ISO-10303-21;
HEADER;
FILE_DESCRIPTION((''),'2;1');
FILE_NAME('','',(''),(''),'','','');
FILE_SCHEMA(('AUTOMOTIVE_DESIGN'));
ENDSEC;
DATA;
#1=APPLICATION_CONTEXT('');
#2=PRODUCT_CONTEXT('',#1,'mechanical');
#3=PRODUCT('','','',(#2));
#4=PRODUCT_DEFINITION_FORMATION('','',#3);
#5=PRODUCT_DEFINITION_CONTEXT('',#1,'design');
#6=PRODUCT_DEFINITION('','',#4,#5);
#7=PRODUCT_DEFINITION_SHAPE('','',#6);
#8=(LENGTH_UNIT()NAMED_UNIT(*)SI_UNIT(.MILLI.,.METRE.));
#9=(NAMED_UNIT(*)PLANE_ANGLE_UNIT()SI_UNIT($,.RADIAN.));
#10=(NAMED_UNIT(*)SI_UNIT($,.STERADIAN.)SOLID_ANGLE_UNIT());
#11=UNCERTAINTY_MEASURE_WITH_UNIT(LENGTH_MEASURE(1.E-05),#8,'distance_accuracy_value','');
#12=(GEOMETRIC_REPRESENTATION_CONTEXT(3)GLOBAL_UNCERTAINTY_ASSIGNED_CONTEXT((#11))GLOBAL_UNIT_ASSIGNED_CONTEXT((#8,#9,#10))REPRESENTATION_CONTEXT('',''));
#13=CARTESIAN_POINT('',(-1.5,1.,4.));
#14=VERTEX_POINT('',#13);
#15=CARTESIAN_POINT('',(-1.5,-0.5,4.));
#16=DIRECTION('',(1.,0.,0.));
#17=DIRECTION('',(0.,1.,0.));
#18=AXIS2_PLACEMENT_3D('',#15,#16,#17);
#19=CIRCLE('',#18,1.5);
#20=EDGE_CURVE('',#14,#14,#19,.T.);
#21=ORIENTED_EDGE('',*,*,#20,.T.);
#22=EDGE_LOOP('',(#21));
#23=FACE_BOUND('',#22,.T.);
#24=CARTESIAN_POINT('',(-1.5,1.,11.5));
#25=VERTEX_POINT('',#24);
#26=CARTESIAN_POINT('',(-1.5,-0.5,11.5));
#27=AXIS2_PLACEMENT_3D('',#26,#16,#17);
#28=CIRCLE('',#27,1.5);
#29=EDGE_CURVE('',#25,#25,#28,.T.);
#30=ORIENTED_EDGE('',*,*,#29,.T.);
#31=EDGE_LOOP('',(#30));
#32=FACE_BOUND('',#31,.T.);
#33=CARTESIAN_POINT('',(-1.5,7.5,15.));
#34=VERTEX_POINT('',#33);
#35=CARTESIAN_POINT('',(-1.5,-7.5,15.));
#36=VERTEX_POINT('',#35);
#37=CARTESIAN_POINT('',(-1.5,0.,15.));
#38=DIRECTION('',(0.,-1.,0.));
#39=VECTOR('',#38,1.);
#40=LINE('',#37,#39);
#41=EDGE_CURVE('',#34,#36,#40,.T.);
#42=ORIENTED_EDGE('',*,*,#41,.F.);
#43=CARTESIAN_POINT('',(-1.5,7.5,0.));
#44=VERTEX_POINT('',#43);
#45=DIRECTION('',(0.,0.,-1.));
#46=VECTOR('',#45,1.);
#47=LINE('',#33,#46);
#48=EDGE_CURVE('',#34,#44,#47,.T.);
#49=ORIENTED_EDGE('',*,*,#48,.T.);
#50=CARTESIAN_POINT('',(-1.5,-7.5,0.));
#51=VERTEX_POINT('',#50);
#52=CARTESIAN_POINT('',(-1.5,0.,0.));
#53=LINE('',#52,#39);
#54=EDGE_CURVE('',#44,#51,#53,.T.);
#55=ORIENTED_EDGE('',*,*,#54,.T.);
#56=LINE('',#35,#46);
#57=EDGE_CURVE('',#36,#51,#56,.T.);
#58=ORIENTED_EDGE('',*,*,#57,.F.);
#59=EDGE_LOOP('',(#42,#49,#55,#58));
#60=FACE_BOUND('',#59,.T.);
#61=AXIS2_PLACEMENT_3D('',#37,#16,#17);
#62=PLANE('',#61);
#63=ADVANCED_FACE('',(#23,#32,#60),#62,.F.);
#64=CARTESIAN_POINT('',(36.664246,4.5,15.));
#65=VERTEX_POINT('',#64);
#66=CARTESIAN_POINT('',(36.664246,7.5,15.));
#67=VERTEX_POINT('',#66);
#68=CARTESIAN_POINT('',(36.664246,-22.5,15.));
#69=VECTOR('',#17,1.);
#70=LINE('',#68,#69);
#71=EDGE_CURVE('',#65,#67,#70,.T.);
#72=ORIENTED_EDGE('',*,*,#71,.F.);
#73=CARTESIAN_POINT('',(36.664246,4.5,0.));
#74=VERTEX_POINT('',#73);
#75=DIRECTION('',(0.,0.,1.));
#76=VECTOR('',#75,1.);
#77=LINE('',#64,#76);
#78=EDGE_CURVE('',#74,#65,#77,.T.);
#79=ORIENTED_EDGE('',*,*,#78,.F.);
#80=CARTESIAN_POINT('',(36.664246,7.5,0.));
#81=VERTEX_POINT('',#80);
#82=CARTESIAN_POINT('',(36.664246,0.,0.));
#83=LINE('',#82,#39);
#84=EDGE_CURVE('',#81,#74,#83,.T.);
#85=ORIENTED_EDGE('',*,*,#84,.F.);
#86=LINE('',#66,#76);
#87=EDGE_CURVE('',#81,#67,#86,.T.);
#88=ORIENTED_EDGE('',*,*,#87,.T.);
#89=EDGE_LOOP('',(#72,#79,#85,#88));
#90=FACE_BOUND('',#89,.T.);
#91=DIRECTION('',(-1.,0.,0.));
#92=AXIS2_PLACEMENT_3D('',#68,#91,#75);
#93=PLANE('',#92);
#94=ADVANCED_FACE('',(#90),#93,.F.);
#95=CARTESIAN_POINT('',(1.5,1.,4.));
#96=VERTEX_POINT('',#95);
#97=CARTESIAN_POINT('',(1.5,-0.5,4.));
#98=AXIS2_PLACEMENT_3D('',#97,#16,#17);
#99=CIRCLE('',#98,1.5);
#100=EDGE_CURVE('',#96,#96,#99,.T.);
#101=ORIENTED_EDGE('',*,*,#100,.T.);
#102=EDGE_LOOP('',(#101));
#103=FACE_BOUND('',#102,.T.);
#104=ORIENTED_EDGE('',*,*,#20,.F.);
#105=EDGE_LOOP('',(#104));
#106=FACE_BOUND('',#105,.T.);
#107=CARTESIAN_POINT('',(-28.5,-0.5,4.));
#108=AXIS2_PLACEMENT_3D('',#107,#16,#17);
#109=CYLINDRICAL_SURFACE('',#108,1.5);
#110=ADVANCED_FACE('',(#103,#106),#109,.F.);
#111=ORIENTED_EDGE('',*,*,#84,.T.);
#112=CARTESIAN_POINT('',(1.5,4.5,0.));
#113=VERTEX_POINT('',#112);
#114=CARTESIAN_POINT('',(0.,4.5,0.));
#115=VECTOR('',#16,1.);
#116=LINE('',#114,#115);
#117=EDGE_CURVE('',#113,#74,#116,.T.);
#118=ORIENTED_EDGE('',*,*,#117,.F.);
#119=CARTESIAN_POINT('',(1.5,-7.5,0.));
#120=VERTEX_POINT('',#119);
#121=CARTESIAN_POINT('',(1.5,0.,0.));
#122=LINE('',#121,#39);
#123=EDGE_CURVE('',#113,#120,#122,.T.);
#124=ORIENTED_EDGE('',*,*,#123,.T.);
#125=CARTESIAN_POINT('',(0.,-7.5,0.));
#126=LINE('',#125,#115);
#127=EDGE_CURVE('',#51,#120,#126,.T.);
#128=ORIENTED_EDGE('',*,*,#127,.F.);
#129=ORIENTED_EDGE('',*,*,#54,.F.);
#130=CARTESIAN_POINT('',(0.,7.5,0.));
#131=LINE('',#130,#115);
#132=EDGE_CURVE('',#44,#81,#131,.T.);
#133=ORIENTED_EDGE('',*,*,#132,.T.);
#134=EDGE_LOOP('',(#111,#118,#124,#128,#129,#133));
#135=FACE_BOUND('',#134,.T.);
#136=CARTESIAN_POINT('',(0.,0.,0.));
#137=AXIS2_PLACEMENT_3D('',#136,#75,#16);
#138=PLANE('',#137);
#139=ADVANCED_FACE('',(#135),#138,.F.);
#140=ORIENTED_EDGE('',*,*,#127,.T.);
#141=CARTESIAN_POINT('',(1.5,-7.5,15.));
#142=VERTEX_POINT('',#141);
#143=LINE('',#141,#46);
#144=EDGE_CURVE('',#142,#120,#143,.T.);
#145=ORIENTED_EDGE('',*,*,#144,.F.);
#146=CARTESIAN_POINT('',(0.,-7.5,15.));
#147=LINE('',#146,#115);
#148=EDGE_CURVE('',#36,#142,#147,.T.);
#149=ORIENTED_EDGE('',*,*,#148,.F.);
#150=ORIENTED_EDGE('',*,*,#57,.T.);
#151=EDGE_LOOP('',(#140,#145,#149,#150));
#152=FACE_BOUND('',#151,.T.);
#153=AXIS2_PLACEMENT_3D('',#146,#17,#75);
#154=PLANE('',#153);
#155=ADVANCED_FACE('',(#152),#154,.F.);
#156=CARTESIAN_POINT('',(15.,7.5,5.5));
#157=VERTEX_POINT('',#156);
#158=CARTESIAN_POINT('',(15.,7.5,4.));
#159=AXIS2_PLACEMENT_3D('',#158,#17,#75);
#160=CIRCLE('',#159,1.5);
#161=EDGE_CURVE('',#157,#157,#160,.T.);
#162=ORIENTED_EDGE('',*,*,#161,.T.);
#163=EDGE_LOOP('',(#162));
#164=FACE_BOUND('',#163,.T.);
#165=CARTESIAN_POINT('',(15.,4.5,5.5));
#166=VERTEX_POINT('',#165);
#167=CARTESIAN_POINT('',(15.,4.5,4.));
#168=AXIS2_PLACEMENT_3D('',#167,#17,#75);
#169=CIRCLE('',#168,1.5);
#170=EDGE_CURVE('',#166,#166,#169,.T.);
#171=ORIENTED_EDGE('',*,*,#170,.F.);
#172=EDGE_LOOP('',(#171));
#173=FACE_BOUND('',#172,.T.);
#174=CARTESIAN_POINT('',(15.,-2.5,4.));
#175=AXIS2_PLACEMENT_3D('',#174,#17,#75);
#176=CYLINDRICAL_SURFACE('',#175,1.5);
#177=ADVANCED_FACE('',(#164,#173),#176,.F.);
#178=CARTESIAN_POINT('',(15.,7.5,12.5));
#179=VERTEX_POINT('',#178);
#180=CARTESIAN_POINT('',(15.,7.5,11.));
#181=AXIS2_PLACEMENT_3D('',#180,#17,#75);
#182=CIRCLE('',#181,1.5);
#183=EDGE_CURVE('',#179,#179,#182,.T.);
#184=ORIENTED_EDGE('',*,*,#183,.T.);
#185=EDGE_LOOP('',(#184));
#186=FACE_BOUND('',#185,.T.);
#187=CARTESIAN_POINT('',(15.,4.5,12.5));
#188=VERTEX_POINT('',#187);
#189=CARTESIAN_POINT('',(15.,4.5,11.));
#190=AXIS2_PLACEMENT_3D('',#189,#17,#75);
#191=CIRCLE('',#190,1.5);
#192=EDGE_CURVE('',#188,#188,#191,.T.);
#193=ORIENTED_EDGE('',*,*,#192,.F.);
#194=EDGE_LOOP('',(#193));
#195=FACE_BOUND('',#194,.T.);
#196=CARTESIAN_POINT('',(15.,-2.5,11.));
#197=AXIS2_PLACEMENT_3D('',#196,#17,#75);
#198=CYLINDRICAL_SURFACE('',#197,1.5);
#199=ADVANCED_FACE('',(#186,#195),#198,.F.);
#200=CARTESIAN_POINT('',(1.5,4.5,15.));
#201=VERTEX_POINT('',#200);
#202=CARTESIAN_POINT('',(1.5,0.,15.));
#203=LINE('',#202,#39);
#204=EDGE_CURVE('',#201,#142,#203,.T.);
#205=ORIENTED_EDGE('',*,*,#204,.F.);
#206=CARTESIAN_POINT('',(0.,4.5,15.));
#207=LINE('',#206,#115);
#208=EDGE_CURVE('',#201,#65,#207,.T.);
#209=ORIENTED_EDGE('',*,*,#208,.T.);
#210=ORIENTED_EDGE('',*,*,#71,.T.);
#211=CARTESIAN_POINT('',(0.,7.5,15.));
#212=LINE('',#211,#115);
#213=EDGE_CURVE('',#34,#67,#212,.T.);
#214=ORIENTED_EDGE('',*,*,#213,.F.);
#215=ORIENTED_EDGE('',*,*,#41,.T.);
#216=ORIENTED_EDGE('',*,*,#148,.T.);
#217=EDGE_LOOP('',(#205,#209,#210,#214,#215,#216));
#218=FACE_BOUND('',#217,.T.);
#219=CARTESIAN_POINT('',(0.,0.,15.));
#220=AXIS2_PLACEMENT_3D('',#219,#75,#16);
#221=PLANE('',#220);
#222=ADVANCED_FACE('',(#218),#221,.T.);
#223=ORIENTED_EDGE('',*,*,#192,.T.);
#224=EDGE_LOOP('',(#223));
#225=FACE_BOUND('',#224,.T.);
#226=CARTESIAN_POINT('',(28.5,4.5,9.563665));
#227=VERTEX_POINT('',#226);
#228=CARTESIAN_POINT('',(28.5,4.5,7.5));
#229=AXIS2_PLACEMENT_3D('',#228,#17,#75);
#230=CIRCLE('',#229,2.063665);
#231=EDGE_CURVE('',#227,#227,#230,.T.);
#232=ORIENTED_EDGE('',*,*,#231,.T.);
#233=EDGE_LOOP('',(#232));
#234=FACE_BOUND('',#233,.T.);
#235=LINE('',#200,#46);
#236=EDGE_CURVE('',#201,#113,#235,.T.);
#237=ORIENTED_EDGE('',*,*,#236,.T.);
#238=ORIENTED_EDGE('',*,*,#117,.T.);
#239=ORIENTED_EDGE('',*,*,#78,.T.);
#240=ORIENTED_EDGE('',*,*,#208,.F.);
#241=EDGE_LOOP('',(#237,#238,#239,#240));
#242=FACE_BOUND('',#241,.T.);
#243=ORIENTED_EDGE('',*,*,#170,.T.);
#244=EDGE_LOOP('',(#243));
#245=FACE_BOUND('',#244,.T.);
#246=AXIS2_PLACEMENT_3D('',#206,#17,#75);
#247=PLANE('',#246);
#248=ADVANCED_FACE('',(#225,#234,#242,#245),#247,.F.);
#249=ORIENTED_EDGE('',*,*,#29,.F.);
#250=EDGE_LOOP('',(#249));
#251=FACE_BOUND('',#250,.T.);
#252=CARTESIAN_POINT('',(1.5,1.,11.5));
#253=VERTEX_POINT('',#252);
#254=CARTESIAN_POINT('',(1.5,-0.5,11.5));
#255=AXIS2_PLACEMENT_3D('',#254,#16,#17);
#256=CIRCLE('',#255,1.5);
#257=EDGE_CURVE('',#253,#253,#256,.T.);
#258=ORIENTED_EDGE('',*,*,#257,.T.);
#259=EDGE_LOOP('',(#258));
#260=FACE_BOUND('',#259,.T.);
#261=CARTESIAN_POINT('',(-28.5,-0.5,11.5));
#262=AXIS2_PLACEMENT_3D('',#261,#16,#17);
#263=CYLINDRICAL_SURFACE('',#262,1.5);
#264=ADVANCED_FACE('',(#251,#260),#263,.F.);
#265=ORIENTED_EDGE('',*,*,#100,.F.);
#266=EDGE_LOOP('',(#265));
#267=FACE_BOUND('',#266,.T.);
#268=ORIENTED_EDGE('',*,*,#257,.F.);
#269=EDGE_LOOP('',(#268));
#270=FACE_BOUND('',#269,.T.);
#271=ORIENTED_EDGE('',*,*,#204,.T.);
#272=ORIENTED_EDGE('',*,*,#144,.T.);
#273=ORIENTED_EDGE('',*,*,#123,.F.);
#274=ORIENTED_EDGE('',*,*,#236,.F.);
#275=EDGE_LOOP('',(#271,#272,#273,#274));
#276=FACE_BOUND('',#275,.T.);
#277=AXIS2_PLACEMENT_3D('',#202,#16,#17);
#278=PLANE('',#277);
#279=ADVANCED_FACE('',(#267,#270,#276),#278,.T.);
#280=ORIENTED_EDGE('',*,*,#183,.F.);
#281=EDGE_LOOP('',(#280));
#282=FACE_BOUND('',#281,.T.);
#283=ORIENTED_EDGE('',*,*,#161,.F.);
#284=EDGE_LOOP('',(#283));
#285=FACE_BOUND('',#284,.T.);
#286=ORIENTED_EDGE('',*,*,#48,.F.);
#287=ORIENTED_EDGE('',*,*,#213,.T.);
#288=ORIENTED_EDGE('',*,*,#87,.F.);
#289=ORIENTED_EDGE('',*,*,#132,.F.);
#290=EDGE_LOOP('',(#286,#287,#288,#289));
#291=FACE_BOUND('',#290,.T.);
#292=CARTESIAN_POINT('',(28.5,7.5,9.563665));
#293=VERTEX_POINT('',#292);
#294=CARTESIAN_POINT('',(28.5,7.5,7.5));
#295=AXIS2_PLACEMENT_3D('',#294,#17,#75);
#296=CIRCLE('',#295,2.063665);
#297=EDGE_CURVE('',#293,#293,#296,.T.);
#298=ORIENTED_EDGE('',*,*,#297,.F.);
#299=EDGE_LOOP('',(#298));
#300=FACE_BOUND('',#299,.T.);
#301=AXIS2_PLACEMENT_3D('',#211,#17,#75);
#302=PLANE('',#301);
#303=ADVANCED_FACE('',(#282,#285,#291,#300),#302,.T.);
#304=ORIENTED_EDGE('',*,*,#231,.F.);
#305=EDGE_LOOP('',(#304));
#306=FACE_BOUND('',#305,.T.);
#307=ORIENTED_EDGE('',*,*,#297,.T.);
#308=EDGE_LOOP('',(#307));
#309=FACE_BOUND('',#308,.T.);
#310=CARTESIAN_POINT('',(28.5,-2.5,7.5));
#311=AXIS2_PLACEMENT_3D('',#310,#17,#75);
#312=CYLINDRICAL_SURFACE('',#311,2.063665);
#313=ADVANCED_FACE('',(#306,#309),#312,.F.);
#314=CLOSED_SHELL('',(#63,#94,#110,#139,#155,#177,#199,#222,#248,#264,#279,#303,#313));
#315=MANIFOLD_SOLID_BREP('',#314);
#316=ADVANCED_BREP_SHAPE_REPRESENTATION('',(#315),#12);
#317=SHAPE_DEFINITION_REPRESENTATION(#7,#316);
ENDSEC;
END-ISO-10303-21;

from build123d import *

# Parameters (mm, degrees)
CROQUIS1_W              = 3
CROQUIS1_H              = 12
CROQUIS1_H_2            = 3
CROQUIS1_W_2            = 47
SALIENTE_EXTRUIR1_DEPTH = 15
CROQUIS2_R              = 1.5
CORTAR_EXTRUIR1_DEPTH   = 30
CROQUIS4_R              = 2.063665481
CORTAR_EXTRUIR3_DEPTH   = 10
CROQUIS5_W              = 11.835753584
CROQUIS5_H              = 15
CORTAR_EXTRUIR4_DEPTH   = 30
CROQUIS6_R              = 1.5
CORTAR_EXTRUIR5_DEPTH   = 10


with BuildPart() as part:
    # Croquis1 → Saliente-Extruir1 (new body)
    with BuildSketch(Plane.XY):
        with Locations((0, -1.5)):
            Rectangle(CROQUIS1_W, CROQUIS1_H)
        with Locations((0, 6)):
            Rectangle(CROQUIS1_W, CROQUIS1_H_2)
        with Locations((25, 6)):
            Rectangle(CROQUIS1_W_2, CROQUIS1_H_2)
    extrude(amount=SALIENTE_EXTRUIR1_DEPTH)

    # Croquis2 → Cortar-Extruir1 (cut)
    with BuildSketch(Plane(origin=(1.5, 0, 0), x_dir=(0, 0, -1), z_dir=(1, 0, 0))):
        with Locations((-11.5, -0.5)):
            Circle(CROQUIS2_R)
        with Locations((-4, -0.5)):
            Circle(CROQUIS2_R)
    extrude(amount=-CORTAR_EXTRUIR1_DEPTH, mode=Mode.SUBTRACT)

    # Croquis4 → Cortar-Extruir3 (cut)
    with BuildSketch(Plane(origin=(0, 7.5, 0), x_dir=(1, 0, 0), z_dir=(0, 1, 0))):
        with Locations((28.5, -7.5)):
            Circle(CROQUIS4_R)
    extrude(amount=-CORTAR_EXTRUIR3_DEPTH, mode=Mode.SUBTRACT)

    # Croquis5 → Cortar-Extruir4 (cut)
    with BuildSketch(Plane(origin=(0, 7.5, 0), x_dir=(1, 0, 0), z_dir=(0, 1, 0))):
        with Locations((42.582123208, -7.5)):
            Rectangle(CROQUIS5_W, CROQUIS5_H)
    extrude(amount=-CORTAR_EXTRUIR4_DEPTH, mode=Mode.SUBTRACT)

    # Croquis6 → Cortar-Extruir5 (cut)
    with BuildSketch(Plane(origin=(0, 7.5, 0), x_dir=(1, 0, 0), z_dir=(0, 1, 0))):
        with Locations((15, -4)):
            Circle(CROQUIS6_R)
        with Locations((15, -11)):
            Circle(CROQUIS6_R)
    extrude(amount=-CORTAR_EXTRUIR5_DEPTH, mode=Mode.SUBTRACT)


solid = part.part
